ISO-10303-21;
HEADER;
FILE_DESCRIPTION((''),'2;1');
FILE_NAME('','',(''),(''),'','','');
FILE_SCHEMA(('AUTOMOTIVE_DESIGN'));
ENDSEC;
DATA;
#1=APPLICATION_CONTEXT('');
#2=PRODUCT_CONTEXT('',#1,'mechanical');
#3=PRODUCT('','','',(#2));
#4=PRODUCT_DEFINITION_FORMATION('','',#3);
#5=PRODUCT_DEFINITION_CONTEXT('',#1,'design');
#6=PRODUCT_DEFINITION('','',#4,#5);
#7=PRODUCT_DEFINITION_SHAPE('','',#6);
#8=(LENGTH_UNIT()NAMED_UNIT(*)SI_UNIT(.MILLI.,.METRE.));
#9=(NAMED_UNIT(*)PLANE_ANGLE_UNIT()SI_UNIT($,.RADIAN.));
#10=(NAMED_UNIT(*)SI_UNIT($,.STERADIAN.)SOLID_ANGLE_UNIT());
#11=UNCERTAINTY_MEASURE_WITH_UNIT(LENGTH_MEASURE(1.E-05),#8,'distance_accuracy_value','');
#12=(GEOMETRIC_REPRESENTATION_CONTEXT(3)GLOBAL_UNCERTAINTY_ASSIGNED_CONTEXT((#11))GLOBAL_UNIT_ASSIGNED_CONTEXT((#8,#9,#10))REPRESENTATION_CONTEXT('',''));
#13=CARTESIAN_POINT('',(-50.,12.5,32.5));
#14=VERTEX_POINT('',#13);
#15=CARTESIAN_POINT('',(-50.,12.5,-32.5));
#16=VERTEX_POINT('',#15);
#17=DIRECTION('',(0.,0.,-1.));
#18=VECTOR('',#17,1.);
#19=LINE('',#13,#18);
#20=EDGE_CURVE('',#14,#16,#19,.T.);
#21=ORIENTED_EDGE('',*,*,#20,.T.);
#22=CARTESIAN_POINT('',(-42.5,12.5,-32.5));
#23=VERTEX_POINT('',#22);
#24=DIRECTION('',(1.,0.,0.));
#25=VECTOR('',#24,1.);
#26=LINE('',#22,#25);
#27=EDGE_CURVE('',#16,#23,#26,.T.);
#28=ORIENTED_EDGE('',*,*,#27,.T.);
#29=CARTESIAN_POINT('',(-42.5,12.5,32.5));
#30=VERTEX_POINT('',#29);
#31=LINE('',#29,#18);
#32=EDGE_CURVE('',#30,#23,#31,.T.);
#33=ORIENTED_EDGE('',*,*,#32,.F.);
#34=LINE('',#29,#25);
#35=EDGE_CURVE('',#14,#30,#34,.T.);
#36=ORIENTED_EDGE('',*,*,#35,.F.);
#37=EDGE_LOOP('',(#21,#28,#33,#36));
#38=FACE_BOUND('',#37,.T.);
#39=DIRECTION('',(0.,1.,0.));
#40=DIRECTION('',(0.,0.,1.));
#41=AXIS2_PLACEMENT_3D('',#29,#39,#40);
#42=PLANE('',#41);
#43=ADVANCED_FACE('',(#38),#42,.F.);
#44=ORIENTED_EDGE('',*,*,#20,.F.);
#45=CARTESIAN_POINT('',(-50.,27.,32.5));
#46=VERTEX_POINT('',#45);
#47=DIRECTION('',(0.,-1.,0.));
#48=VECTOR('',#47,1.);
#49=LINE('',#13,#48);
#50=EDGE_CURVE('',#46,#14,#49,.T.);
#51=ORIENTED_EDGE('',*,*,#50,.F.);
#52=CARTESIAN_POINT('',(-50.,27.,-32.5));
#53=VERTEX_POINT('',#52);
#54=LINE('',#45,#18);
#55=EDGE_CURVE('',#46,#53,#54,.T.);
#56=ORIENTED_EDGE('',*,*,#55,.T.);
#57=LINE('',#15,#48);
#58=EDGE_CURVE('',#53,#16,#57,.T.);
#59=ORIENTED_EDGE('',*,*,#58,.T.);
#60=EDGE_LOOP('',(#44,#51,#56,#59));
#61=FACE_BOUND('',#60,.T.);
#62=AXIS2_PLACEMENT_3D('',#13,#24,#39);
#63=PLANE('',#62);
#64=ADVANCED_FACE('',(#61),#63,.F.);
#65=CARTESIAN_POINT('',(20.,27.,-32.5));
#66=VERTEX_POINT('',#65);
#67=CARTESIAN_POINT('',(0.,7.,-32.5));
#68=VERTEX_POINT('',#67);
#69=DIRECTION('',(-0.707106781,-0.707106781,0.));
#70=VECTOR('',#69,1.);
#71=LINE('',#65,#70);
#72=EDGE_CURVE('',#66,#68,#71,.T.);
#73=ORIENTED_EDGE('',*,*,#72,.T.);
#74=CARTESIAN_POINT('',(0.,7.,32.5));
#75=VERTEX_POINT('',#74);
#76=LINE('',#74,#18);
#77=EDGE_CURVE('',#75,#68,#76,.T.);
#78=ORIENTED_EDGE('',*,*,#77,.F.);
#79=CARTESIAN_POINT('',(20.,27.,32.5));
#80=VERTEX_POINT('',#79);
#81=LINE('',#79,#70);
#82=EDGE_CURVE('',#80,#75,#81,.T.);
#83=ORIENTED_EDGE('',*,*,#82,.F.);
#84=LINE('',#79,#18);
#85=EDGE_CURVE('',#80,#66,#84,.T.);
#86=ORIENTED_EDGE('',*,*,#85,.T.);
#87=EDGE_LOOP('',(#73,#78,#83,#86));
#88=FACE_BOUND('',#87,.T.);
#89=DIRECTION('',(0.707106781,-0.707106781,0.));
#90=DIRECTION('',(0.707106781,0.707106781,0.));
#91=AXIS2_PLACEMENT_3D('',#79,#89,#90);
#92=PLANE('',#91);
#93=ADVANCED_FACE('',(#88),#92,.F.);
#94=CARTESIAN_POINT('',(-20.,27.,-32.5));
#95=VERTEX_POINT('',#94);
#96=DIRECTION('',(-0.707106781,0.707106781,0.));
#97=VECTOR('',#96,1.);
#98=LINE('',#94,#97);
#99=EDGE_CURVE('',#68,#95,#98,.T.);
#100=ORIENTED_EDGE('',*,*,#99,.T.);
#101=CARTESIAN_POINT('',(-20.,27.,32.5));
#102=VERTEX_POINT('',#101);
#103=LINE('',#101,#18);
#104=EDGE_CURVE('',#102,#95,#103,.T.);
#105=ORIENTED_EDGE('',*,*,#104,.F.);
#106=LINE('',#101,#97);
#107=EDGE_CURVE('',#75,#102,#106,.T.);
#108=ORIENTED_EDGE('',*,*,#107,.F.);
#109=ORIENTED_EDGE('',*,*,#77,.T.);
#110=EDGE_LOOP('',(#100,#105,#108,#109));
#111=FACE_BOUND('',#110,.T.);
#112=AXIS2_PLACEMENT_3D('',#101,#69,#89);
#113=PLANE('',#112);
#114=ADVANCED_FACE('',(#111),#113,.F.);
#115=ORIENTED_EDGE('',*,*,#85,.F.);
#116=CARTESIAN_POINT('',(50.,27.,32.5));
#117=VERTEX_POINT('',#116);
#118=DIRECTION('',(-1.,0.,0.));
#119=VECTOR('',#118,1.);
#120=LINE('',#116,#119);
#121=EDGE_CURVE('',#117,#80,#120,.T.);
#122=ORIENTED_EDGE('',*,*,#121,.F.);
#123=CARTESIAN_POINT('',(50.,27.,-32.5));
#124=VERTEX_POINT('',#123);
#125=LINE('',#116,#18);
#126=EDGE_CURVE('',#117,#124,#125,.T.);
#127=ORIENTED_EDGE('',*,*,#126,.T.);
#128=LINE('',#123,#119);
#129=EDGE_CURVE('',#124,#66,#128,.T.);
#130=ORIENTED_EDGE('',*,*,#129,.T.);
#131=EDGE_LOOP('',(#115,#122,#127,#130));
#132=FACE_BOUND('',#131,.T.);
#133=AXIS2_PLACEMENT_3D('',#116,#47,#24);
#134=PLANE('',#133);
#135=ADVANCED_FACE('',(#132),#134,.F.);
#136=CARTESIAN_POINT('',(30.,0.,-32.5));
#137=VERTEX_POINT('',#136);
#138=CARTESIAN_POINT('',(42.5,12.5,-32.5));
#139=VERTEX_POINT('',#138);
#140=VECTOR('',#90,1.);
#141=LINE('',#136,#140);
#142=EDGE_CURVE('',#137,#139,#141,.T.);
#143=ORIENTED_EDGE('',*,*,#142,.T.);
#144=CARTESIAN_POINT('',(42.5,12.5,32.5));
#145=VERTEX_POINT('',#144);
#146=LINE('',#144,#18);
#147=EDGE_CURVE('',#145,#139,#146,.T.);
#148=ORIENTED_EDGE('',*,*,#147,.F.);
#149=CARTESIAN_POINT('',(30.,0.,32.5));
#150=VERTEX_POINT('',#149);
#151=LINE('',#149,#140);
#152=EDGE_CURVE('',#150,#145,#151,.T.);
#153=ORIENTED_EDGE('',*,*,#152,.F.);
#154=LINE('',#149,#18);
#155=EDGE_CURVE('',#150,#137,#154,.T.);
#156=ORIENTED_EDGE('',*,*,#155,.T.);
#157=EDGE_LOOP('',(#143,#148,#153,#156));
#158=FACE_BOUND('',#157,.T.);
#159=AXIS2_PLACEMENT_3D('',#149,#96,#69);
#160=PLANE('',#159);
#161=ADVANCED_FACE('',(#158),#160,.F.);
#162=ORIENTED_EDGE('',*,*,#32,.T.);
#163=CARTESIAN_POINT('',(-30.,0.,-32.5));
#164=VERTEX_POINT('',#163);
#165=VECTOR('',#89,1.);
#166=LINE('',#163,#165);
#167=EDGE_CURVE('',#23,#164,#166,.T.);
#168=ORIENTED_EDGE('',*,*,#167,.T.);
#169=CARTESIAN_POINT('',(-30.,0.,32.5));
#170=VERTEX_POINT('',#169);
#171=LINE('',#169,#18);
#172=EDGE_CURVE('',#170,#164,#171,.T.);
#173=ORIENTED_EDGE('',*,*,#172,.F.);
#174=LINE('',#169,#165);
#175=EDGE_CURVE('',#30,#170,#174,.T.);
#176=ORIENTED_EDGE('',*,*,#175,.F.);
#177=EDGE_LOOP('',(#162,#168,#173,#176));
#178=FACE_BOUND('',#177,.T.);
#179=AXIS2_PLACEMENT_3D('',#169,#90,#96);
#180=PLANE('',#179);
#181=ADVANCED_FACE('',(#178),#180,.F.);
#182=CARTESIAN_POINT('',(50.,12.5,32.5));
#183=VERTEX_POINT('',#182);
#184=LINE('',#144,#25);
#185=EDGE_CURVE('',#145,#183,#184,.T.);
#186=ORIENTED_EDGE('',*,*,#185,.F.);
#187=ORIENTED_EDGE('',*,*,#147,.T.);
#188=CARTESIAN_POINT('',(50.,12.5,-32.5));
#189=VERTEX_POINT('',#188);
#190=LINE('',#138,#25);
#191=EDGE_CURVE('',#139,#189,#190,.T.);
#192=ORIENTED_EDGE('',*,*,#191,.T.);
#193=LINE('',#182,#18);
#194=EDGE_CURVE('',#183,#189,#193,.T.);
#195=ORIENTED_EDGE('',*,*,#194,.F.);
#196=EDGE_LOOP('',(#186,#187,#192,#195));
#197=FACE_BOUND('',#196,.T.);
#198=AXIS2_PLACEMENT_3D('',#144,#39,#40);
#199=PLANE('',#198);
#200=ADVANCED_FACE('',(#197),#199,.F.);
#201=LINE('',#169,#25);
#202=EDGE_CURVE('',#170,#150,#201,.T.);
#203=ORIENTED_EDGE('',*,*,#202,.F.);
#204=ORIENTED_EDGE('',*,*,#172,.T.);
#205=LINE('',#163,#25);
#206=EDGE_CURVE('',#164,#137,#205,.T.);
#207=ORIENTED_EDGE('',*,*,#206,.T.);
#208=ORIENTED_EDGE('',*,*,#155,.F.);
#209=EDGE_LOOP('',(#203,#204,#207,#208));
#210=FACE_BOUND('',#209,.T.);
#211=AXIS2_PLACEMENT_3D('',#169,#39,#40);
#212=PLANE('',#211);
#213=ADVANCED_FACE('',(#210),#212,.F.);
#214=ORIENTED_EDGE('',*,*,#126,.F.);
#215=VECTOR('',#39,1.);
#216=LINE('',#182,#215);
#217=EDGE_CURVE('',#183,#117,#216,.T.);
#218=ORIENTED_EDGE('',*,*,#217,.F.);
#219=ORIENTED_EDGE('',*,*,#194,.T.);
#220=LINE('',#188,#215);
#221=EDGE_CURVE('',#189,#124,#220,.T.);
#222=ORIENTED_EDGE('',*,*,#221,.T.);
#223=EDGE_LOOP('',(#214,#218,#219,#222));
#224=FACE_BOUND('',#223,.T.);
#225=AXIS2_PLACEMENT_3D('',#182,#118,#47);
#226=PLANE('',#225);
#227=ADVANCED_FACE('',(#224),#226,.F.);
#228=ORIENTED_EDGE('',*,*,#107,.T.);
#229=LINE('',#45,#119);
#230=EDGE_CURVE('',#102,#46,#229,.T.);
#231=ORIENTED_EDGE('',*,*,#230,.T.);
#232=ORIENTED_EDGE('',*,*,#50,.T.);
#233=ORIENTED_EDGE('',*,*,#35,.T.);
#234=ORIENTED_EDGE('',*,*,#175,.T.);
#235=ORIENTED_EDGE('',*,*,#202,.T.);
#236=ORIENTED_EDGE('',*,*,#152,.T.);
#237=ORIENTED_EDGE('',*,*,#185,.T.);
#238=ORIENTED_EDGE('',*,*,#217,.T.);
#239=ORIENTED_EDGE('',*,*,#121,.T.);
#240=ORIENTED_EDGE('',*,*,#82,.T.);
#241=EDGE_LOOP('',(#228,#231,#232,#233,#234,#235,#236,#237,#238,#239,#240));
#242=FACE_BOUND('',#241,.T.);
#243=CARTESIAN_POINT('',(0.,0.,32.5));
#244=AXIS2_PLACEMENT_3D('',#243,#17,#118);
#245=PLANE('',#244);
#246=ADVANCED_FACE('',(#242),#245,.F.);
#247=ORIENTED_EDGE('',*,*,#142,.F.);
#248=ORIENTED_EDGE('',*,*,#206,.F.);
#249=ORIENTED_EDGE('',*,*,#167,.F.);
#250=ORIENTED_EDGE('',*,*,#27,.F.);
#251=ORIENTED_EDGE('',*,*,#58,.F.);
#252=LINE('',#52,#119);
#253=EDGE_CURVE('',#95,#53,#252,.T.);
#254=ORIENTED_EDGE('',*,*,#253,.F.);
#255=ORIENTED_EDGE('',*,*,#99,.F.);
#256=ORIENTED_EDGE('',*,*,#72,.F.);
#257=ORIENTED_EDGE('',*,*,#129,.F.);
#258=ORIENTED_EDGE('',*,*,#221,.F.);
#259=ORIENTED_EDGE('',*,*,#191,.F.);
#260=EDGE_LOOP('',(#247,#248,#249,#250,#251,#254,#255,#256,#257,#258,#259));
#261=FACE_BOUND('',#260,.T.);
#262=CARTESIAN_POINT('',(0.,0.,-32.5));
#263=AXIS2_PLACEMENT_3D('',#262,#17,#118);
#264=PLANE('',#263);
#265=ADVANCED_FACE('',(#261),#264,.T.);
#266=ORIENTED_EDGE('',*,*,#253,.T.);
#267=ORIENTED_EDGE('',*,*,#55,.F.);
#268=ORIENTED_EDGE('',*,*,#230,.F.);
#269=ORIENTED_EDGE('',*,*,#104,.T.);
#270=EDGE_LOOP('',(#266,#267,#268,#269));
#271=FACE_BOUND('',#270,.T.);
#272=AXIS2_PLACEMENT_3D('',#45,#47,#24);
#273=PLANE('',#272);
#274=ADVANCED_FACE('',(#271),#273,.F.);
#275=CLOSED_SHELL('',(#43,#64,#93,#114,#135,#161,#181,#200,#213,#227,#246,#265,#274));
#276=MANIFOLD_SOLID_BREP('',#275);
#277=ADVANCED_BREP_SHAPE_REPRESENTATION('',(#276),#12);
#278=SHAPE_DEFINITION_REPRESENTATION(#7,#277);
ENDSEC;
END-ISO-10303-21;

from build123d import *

# Parameters (mm, degrees)
SALIENTE_EXTRUIR1_DEPTH = 32.5


with BuildPart() as part:
    # Croquis1 → Saliente-Extruir1 (new body, symmetric)
    with BuildSketch(Plane.XY):
        Polygon((-30, 0), (30, 0), (42.5, 12.5), (50, 12.5), (50, 27), (20, 27), (0, 7), (-20, 27), (-50, 27), (-50, 12.5), (-42.5, 12.5), align=None)
    extrude(amount=SALIENTE_EXTRUIR1_DEPTH, both=True)


solid = part.part
